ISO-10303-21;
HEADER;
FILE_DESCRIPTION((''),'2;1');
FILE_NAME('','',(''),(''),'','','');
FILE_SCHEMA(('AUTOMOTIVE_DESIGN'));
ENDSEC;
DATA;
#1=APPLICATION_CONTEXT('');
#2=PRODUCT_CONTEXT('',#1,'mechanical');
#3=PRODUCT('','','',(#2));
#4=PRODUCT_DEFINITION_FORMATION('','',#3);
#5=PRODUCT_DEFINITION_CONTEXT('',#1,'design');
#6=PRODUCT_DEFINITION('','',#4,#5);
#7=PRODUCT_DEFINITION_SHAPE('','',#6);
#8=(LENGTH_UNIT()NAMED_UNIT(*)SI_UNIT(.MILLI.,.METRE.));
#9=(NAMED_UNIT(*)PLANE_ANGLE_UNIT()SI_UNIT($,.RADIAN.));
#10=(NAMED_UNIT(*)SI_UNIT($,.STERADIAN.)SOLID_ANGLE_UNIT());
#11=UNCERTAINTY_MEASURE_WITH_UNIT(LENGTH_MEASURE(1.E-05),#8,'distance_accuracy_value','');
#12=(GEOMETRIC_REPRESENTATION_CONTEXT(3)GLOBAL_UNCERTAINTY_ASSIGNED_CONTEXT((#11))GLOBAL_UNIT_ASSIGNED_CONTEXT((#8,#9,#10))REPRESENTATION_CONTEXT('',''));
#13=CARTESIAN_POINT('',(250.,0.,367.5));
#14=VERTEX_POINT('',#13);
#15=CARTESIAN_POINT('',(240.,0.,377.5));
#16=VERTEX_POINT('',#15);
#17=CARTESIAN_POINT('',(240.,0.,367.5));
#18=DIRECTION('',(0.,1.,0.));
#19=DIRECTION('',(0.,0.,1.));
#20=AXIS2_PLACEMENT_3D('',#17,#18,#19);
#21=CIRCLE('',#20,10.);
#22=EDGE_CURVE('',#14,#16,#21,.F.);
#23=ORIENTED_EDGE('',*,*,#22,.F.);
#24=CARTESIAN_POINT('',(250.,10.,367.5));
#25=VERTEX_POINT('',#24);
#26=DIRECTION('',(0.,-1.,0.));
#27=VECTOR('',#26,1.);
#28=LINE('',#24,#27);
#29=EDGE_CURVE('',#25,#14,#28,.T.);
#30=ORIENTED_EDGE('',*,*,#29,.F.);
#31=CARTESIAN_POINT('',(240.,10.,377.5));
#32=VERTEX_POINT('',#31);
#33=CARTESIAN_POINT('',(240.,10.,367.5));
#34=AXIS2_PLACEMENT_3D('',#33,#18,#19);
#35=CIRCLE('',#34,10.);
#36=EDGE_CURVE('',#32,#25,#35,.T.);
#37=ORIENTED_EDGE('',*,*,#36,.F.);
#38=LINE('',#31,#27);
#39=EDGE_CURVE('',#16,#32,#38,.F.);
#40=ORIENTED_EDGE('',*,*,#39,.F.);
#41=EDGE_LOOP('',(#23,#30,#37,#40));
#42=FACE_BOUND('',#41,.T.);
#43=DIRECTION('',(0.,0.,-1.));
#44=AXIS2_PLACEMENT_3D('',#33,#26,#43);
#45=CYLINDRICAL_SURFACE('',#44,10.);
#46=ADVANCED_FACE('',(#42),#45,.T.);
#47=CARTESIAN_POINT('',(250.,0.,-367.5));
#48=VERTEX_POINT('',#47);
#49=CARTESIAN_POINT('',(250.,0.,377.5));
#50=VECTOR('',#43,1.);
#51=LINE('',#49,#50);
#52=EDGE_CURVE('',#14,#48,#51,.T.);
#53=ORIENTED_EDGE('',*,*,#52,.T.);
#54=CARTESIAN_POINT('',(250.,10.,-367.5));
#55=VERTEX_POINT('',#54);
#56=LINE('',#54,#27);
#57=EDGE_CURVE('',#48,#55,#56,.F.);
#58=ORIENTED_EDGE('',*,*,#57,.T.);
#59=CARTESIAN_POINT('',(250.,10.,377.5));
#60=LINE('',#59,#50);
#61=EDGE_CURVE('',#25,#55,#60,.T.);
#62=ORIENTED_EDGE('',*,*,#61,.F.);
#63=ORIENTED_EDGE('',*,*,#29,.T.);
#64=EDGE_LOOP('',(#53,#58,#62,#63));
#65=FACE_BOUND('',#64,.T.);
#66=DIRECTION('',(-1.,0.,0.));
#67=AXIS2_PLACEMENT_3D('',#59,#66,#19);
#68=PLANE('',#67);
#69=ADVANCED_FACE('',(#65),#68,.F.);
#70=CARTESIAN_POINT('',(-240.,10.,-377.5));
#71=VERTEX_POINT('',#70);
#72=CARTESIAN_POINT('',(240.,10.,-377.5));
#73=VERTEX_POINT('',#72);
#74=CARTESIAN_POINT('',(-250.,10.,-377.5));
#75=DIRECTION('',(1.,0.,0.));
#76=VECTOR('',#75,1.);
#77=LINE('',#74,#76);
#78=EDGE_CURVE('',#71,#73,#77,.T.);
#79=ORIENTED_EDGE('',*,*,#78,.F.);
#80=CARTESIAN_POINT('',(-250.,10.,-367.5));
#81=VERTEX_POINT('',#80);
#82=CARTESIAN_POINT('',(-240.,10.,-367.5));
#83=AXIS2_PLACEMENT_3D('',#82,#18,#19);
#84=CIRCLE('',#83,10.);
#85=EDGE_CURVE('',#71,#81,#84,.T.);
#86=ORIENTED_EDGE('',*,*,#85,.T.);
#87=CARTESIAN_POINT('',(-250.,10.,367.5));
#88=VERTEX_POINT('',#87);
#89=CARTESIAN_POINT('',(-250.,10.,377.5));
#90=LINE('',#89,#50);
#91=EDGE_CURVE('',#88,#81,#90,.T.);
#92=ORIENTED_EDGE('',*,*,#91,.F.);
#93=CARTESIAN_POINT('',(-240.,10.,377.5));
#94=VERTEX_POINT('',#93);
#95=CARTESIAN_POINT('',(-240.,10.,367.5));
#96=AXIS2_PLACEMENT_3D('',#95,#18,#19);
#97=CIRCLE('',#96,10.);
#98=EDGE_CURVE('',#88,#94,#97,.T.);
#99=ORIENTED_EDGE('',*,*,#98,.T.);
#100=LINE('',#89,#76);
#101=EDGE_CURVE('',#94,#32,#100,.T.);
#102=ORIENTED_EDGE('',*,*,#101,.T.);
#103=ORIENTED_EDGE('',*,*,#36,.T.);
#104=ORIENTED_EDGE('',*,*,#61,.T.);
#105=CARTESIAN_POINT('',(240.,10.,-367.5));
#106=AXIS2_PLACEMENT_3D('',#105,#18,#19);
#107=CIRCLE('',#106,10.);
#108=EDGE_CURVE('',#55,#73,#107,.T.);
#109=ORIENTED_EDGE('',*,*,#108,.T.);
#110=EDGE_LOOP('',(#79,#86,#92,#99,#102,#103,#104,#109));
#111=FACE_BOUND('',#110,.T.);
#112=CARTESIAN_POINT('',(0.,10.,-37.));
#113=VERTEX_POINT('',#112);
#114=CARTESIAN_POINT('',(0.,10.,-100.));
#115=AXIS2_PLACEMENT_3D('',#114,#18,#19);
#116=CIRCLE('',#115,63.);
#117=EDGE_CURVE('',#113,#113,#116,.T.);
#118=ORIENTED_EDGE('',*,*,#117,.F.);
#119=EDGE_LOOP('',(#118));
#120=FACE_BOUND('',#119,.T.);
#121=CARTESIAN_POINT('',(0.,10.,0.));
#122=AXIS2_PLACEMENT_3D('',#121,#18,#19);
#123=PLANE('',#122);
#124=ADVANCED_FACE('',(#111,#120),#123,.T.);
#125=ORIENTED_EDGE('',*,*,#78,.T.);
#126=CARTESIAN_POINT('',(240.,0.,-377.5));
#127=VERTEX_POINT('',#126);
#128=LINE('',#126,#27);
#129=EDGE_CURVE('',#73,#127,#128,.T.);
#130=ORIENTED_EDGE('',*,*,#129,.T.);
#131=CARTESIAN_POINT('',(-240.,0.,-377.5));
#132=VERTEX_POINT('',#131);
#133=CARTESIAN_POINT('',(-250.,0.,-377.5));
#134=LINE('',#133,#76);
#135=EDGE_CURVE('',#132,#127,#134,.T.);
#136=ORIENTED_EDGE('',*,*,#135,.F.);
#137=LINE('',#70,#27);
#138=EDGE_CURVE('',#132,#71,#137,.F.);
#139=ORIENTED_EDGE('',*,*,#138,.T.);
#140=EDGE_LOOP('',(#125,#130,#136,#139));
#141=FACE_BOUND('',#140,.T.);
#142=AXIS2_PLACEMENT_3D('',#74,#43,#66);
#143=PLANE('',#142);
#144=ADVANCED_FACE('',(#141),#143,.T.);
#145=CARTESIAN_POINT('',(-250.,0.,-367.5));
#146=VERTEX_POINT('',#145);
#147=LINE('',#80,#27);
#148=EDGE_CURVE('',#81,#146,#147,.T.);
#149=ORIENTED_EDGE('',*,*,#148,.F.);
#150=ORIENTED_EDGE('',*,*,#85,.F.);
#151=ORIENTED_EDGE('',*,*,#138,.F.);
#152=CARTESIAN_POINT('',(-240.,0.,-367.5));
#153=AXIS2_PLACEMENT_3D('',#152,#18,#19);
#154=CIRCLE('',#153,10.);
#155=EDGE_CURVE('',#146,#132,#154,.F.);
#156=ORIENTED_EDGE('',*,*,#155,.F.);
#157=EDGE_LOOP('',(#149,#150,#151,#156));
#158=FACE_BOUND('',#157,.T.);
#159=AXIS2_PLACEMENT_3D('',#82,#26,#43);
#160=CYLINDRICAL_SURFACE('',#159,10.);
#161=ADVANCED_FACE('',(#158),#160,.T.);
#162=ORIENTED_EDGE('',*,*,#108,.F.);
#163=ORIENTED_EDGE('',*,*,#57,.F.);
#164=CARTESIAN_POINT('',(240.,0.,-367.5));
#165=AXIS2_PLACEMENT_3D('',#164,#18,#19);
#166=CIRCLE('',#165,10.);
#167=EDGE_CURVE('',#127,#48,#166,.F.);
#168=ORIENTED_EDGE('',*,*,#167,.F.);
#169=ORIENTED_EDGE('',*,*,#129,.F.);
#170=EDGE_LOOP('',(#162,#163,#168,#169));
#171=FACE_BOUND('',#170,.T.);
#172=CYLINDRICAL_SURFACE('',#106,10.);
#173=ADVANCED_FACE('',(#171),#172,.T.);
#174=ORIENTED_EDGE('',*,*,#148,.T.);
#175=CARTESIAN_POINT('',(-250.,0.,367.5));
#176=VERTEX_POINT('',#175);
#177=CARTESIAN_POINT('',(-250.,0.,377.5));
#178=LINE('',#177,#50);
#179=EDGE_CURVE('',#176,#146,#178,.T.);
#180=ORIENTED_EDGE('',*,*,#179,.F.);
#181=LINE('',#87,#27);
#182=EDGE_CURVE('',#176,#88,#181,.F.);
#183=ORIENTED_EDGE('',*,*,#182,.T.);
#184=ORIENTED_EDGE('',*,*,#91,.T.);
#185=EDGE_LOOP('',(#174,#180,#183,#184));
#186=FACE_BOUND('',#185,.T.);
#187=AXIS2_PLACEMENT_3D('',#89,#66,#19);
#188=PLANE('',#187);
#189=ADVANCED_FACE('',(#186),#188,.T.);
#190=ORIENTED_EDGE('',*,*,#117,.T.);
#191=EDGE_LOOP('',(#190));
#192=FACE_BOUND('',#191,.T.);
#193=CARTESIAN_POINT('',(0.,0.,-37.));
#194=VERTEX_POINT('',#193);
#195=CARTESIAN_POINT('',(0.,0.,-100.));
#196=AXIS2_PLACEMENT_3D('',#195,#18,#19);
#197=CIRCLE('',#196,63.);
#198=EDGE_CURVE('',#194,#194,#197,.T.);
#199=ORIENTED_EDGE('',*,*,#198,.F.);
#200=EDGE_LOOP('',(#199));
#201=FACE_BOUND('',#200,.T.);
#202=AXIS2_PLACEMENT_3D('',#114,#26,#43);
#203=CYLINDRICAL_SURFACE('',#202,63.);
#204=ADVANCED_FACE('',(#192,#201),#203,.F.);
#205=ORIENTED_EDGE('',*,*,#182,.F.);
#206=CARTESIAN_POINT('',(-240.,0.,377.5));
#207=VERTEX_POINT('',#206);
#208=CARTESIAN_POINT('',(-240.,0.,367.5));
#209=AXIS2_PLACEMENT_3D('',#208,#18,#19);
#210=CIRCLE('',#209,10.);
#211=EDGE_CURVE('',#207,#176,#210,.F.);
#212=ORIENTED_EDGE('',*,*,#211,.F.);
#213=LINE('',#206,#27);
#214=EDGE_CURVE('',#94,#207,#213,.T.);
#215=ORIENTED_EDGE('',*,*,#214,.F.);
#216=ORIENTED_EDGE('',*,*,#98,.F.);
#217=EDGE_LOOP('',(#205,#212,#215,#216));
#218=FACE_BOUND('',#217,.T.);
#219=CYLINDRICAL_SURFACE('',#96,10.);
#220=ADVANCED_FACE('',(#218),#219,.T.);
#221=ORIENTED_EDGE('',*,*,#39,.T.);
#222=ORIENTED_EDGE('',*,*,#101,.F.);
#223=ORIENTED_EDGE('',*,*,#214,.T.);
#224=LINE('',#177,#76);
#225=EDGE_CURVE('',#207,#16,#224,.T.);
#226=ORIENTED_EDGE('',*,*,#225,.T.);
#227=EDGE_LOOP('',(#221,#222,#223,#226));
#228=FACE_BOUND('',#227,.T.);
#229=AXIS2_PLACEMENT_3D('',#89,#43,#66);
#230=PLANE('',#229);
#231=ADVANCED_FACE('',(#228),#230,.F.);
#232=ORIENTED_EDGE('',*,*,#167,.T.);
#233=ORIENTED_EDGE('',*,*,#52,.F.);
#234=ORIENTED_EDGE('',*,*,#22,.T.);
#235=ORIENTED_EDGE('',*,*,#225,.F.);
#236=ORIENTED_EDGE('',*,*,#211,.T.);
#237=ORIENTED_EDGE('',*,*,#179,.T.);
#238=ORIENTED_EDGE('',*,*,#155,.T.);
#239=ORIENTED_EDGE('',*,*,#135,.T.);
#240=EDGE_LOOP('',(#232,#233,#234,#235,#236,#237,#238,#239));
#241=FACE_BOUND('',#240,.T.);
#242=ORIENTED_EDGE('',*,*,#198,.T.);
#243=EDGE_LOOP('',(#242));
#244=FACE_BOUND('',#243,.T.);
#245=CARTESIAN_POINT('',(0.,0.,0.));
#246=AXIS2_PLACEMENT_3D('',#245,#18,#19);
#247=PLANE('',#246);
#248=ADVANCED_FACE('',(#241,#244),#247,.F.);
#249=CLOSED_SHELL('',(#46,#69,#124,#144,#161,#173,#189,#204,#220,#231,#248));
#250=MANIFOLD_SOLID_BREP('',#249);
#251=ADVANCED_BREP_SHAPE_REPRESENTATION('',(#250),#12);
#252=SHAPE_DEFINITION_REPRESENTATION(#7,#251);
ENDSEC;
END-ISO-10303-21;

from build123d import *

# Parameters (mm, degrees)
SKETCH1_W           = 500
SKETCH1_H           = 755
BOSS_EXTRUDE1_DEPTH = 10
SKETCH3_R           = 63
CUT_EXTRUDE10_DEPTH = 11
FILLET1_R           = 10


with BuildPart() as part:
    # Sketch1 → Boss-Extrude1 (new body)
    with BuildSketch(Plane(origin=(0, 0, 0), x_dir=(1, 0, 0), z_dir=(0, 1, 0))):
        Rectangle(SKETCH1_W, SKETCH1_H)
    extrude(amount=BOSS_EXTRUDE1_DEPTH)

    # Sketch3 → Cut-Extrude10 (cut, through all)
    with BuildSketch(Plane(origin=(0, 0, 0), x_dir=(1, 0, 0), z_dir=(0, 1, 0))):
        with Locations((0, 100)):
            Circle(SKETCH3_R)
    extrude(amount=CUT_EXTRUDE10_DEPTH, mode=Mode.SUBTRACT)

    # Fillet1
    fillet1_edges = [part.edges().sort_by_distance(p)[0] for p in [
        (-250, 5, 377.5),
        (-250, 5, -377.5),
        (250, 5, -377.5),
        (250, 5, 377.5),
    ]]
    fillet(fillet1_edges, radius=FILLET1_R)


solid = part.part
